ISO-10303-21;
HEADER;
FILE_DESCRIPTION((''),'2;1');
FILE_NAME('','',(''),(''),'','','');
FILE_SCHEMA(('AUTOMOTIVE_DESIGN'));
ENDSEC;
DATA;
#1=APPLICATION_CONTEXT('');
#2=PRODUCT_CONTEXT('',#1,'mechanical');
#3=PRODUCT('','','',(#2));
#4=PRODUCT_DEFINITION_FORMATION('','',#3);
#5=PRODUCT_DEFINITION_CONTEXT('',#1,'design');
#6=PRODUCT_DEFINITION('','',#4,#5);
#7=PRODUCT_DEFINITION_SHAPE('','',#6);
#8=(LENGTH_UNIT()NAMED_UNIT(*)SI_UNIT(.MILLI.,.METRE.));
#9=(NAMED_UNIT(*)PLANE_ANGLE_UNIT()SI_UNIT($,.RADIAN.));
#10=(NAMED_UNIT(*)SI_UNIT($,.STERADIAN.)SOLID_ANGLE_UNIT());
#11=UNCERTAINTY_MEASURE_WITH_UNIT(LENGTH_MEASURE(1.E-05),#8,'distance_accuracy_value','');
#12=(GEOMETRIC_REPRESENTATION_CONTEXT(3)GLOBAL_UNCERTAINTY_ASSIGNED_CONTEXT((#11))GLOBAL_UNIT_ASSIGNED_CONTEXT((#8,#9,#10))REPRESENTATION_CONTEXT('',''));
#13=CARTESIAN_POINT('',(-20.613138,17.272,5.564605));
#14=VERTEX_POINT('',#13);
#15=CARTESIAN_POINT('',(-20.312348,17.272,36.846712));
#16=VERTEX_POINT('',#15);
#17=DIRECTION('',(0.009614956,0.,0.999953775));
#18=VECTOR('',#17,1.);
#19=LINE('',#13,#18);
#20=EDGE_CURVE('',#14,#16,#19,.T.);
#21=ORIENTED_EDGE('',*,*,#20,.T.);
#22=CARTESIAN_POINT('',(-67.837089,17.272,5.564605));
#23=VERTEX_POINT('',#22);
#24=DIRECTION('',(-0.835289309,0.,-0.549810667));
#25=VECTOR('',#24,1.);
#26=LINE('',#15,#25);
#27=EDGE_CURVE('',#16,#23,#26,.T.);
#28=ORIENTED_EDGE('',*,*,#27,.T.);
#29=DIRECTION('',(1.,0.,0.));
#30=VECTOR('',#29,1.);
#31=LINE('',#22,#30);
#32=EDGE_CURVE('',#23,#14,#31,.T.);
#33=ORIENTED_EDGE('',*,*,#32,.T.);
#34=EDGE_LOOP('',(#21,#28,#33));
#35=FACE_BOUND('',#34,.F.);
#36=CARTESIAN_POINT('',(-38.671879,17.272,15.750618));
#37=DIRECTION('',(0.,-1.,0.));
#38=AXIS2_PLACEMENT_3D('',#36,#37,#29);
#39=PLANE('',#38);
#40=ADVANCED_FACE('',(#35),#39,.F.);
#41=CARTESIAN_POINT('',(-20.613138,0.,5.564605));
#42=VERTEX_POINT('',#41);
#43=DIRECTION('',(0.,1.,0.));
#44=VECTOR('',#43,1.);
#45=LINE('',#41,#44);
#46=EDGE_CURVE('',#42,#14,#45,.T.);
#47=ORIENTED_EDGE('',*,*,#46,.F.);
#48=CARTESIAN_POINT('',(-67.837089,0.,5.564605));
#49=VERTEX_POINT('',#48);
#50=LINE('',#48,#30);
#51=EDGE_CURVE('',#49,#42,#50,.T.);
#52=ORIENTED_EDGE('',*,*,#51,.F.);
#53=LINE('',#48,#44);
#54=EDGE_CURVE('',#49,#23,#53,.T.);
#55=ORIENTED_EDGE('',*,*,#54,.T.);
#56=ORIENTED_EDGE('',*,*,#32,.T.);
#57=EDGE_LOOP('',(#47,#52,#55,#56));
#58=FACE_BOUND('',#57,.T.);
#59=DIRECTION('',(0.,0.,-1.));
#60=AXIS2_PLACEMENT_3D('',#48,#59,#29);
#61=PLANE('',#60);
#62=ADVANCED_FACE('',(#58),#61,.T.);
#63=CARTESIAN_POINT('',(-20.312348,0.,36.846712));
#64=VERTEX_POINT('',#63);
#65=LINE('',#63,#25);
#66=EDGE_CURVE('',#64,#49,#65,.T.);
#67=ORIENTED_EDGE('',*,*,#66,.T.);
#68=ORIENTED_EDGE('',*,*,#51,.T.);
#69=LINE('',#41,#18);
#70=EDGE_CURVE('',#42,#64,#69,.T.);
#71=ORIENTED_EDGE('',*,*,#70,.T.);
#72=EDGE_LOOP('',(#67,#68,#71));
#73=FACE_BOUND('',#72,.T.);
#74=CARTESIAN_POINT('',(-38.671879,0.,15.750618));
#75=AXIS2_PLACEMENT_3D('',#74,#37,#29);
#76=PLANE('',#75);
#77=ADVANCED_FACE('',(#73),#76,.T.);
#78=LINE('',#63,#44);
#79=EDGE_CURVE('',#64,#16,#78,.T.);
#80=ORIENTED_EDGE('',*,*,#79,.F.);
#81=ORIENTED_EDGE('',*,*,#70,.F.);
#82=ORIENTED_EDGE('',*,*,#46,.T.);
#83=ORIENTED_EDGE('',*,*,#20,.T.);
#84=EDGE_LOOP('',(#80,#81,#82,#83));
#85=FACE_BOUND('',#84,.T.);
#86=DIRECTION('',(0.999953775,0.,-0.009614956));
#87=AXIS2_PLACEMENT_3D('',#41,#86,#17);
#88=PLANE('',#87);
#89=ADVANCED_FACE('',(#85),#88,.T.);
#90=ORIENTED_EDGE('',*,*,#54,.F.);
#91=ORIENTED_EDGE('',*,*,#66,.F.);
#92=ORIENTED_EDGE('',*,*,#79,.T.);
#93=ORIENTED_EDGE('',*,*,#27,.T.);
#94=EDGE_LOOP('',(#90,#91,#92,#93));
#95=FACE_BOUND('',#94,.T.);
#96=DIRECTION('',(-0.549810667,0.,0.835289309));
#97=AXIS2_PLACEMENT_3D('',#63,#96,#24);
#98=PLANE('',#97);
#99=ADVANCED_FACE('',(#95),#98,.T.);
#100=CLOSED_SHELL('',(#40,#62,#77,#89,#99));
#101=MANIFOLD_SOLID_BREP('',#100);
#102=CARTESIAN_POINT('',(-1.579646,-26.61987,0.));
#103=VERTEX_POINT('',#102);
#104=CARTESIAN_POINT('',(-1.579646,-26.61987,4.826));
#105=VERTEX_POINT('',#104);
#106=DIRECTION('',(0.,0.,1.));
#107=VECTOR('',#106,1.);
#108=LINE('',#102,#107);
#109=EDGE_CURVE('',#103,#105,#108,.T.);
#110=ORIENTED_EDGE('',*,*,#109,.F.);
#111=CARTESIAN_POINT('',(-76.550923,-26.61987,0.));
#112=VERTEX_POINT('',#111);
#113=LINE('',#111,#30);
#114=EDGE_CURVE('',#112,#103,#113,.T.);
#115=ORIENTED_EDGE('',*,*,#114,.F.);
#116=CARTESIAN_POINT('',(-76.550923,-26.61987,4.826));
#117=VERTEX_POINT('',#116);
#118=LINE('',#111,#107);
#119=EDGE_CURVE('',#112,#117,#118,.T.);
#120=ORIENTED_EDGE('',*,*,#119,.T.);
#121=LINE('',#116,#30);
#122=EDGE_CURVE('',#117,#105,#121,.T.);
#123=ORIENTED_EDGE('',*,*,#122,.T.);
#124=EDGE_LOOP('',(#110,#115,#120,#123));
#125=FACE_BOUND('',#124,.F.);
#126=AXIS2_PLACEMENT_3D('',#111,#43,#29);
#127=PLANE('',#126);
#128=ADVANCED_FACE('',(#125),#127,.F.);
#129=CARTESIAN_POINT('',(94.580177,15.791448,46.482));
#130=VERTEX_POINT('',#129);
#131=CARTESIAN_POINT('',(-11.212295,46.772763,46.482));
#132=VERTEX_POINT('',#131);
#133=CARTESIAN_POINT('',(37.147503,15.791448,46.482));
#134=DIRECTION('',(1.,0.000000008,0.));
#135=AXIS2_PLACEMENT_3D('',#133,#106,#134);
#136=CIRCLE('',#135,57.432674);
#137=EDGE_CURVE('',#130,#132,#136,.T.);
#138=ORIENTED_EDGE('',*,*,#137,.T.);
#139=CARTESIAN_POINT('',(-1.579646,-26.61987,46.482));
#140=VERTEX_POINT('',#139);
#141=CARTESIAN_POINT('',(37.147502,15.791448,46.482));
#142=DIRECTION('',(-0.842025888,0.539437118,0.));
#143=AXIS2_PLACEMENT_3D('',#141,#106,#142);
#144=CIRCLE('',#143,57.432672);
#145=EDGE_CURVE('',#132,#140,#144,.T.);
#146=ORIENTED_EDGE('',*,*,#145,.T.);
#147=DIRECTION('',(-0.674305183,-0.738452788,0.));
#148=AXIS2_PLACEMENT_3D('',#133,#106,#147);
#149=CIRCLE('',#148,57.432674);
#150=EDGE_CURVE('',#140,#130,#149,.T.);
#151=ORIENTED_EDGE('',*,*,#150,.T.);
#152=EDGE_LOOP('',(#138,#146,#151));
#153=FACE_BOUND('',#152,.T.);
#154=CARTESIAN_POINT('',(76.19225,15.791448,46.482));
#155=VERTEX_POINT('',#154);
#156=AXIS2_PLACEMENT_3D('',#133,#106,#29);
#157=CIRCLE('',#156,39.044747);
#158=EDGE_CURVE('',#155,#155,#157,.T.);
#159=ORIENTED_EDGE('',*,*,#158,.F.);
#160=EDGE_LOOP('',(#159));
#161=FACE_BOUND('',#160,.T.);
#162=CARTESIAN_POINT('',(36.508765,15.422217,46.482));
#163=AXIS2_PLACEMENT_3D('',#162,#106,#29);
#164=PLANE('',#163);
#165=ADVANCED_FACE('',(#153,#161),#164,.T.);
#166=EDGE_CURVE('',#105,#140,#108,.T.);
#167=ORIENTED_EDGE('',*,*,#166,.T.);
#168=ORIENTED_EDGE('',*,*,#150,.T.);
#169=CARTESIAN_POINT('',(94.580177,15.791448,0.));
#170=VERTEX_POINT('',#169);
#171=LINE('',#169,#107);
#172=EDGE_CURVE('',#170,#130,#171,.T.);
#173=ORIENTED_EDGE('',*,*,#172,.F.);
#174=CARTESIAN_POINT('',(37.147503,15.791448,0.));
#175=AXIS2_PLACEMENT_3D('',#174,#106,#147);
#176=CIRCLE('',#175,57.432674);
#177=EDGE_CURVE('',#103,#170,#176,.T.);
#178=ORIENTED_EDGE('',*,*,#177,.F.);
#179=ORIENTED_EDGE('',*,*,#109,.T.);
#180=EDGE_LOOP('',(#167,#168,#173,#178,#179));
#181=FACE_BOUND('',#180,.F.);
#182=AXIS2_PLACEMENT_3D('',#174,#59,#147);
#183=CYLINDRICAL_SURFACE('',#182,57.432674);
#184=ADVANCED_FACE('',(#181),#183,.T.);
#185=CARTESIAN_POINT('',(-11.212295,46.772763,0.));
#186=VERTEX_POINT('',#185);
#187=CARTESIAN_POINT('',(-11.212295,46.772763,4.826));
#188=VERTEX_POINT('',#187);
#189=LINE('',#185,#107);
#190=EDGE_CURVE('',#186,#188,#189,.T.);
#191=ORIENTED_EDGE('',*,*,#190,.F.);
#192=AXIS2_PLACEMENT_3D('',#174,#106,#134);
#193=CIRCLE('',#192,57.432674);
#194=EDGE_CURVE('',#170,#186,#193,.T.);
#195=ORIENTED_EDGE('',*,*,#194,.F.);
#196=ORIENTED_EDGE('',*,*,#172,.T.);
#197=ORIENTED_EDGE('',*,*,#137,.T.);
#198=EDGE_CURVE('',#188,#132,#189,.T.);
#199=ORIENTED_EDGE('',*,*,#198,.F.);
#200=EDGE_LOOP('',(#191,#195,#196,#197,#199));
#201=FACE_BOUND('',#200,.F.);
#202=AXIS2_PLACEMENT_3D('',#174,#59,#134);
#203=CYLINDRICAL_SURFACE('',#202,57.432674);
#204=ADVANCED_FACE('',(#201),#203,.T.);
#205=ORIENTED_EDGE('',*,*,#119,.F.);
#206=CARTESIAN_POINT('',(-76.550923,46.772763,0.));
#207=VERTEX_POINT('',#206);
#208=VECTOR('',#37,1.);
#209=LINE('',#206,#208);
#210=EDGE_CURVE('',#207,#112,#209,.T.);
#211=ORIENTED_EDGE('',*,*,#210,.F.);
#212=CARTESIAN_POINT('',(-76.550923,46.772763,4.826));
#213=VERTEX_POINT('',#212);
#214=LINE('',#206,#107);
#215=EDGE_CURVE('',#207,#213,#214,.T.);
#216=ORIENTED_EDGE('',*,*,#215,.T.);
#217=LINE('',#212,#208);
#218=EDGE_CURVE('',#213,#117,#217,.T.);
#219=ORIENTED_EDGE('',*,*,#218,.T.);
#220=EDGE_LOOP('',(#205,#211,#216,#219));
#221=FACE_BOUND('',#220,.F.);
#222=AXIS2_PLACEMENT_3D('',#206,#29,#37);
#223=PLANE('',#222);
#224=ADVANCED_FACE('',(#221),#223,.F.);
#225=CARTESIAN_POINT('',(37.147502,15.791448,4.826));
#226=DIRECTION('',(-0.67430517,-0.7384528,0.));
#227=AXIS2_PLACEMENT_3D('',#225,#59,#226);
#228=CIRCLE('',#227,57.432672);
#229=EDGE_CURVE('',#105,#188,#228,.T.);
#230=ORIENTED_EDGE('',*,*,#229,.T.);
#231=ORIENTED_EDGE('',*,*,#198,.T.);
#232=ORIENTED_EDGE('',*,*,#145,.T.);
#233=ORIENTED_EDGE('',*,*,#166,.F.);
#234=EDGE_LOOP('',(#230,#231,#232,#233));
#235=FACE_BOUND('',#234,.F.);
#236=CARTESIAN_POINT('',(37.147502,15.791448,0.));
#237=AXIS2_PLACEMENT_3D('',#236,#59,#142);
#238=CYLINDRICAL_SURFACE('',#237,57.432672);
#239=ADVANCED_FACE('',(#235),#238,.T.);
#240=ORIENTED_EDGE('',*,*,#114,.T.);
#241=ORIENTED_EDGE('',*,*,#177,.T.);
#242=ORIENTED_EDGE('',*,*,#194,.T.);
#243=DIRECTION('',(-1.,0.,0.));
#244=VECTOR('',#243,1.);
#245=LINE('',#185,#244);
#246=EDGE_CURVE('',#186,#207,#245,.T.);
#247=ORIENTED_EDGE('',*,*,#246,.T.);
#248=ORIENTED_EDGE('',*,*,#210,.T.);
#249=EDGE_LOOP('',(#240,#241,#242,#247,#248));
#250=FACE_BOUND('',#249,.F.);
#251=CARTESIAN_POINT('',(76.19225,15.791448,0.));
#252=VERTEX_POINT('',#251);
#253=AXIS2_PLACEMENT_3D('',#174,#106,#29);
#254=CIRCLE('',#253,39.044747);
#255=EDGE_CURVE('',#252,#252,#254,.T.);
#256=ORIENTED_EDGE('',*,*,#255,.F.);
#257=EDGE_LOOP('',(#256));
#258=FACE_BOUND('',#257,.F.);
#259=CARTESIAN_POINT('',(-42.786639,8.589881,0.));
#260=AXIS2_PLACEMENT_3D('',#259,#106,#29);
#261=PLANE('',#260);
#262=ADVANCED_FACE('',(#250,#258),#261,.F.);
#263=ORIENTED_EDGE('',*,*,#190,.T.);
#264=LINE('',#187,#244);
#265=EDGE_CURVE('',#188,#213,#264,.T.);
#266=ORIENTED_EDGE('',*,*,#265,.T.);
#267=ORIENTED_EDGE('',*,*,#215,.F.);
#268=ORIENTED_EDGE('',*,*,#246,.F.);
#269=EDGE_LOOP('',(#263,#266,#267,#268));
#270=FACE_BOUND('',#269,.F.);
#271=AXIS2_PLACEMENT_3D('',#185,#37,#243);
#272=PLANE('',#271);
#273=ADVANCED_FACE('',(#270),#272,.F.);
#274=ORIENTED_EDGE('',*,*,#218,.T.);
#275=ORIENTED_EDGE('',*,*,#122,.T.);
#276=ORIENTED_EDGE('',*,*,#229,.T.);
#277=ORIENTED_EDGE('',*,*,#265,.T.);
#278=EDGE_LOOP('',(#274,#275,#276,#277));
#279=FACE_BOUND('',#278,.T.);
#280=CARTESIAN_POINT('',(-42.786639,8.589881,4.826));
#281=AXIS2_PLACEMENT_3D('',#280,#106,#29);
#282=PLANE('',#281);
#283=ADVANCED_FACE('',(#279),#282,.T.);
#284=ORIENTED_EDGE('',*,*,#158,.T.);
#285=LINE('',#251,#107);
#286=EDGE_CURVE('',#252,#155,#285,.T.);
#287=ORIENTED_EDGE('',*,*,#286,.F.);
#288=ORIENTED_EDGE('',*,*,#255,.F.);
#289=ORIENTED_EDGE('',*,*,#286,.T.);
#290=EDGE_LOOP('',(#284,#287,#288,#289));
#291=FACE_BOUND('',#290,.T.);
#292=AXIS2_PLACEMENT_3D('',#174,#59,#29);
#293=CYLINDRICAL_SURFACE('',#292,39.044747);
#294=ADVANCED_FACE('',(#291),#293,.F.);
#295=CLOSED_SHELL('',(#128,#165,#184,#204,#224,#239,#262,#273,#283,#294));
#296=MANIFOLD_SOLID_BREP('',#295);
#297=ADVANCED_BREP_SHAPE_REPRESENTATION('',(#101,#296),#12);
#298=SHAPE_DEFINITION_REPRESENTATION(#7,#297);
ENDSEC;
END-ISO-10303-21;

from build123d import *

# Parameters (mm, degrees)
F0_R     = 39.044747
F1_DEPTH = 46.482
F2_DEPTH = 4.826
F4_DEPTH = 17.272


with BuildPart() as f1:
    # F0 (on Top) → F1 (new body)
    with BuildSketch(Plane.XY):
        with BuildLine():
            ThreePointArc((94.580177, 15.791448), (53.288747, 70.909251), (-11.212295, 46.772763))
            ThreePointArc((-11.212295, 46.772763), (-19.796801, 8.317612), (-1.579646, -26.61987))
            ThreePointArc((-1.579646, -26.61987), (60.324089, -36.757176), (94.580177, 15.791448))
        make_face()
        with Locations((37.147503, 15.791448)):
            Circle(F0_R, mode=Mode.SUBTRACT)
    extrude(amount=F1_DEPTH)

    # F0 (on Top) → F2 (join)
    with BuildSketch(Plane.XY):
        with BuildLine():
            Line((-11.212295, 46.772763), (-76.550923, 46.772763))
            Line((-76.550923, 46.772763), (-76.550923, -26.61987))
            Line((-76.550923, -26.61987), (-1.579646, -26.61987))
            ThreePointArc((-1.579646, -26.61987), (-19.796801, 8.317612), (-11.212295, 46.772763))
        make_face()
    extrude(amount=F2_DEPTH)


with BuildPart() as f4:
    # F3 (on Front) → F4 (new body)
    with BuildSketch(Plane.XZ):
        Polygon((-20.613138, 5.564605), (-20.312348, 36.846712), (-67.837089, 5.564605), align=None)
    extrude(amount=-F4_DEPTH)


solid = Compound([f1.part, f4.part])
